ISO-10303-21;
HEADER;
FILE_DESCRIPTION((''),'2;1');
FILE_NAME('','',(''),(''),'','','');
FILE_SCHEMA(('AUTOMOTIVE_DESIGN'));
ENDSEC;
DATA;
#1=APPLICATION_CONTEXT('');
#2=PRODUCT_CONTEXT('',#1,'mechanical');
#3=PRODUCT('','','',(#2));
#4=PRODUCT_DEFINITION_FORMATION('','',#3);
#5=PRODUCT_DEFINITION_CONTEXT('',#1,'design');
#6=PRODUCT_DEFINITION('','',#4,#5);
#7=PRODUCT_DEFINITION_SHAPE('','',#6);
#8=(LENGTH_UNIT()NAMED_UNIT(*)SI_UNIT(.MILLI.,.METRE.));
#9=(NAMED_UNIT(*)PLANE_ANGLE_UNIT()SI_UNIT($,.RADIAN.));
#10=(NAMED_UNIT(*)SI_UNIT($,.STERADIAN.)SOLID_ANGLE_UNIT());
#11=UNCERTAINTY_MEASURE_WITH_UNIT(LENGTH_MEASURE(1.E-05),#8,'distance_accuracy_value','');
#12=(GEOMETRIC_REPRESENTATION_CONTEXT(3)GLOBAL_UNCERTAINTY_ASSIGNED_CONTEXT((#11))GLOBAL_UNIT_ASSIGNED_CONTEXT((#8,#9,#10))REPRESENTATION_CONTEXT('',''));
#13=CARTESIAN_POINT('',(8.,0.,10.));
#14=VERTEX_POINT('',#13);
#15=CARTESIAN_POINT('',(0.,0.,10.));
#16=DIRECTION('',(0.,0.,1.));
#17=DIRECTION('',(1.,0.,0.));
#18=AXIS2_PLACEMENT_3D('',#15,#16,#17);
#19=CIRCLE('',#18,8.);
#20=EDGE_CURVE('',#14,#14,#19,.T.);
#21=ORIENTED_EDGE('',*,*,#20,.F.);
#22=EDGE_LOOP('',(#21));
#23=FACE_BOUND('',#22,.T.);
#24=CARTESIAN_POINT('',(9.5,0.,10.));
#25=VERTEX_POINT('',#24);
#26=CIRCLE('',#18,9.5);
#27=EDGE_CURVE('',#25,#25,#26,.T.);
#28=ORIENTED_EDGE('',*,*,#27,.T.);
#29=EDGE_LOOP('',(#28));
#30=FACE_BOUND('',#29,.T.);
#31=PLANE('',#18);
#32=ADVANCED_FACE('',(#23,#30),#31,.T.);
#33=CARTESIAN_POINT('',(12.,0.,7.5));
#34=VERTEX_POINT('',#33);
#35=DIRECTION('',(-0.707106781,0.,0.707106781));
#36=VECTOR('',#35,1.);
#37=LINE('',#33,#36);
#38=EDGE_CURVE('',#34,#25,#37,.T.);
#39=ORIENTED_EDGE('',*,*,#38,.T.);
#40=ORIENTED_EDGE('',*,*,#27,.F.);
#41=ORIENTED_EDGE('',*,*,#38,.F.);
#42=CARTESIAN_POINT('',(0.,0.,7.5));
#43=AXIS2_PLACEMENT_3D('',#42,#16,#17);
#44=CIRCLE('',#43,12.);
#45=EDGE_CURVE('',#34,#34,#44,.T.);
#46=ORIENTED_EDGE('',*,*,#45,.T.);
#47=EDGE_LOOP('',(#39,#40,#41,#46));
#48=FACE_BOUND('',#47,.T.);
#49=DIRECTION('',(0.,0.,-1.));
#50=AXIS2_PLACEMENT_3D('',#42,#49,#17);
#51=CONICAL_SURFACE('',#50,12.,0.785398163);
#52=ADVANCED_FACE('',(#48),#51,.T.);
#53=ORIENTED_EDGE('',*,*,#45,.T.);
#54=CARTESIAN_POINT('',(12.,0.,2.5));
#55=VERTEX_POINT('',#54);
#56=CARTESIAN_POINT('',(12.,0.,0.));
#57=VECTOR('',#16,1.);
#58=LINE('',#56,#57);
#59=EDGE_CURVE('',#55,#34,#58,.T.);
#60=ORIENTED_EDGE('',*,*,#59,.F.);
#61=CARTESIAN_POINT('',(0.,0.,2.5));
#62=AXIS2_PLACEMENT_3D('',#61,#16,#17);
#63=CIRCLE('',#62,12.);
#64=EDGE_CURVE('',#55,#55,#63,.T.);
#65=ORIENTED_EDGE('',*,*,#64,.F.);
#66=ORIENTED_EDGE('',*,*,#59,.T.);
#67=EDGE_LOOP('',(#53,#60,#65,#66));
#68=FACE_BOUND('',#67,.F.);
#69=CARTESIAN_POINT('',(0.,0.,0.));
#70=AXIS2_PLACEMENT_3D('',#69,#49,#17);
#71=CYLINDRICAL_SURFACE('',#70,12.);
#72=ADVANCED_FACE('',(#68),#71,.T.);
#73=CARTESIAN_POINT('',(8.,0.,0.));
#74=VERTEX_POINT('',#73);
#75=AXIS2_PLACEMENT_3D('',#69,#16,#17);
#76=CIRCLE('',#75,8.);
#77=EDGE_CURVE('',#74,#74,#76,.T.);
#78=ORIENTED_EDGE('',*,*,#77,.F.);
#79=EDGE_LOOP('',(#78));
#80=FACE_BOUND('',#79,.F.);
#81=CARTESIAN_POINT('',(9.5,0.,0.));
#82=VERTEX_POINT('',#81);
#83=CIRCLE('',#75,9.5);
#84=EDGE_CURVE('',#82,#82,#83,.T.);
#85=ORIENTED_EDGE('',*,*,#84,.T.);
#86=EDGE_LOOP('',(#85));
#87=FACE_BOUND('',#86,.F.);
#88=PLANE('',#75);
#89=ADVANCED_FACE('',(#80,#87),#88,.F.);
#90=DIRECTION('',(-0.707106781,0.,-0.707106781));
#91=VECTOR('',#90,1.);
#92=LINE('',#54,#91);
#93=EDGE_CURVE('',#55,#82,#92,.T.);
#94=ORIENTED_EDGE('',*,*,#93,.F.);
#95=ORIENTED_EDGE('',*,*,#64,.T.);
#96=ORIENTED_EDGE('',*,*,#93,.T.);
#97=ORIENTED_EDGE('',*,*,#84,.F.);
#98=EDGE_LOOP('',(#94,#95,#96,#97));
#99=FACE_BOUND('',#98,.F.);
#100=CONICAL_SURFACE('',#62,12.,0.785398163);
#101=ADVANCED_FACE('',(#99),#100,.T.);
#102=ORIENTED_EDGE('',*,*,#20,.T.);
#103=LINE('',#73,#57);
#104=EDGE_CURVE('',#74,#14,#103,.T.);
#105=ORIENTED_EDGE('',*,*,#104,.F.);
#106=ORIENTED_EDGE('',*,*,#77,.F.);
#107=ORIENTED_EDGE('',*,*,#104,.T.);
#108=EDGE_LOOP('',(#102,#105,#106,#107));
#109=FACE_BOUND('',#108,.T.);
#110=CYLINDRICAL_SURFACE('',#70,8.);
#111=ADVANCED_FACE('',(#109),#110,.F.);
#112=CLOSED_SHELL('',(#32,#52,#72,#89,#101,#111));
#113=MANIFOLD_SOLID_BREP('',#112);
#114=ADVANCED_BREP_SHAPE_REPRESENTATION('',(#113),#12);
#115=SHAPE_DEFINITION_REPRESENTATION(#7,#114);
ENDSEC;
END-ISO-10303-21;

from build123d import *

# Parameters (mm, degrees)
SKETCH_R     = 12
SKETCH_R_2   = 8
PAD_DEPTH    = 10
CHAMFER_SIZE = 2.5


with BuildPart() as part:
    # Sketch → Pad (new body)
    with BuildSketch(Plane.XY):
        Circle(SKETCH_R)
        Circle(SKETCH_R_2, mode=Mode.SUBTRACT)
    extrude(amount=PAD_DEPTH)

    # Chamfer
    chamfer_edges = [part.edges().sort_by_distance(p)[0] for p in [
        (-12, 0, 10),
        (-12, 0, 0),
    ]]
    chamfer(chamfer_edges, length=CHAMFER_SIZE)


solid = part.part
